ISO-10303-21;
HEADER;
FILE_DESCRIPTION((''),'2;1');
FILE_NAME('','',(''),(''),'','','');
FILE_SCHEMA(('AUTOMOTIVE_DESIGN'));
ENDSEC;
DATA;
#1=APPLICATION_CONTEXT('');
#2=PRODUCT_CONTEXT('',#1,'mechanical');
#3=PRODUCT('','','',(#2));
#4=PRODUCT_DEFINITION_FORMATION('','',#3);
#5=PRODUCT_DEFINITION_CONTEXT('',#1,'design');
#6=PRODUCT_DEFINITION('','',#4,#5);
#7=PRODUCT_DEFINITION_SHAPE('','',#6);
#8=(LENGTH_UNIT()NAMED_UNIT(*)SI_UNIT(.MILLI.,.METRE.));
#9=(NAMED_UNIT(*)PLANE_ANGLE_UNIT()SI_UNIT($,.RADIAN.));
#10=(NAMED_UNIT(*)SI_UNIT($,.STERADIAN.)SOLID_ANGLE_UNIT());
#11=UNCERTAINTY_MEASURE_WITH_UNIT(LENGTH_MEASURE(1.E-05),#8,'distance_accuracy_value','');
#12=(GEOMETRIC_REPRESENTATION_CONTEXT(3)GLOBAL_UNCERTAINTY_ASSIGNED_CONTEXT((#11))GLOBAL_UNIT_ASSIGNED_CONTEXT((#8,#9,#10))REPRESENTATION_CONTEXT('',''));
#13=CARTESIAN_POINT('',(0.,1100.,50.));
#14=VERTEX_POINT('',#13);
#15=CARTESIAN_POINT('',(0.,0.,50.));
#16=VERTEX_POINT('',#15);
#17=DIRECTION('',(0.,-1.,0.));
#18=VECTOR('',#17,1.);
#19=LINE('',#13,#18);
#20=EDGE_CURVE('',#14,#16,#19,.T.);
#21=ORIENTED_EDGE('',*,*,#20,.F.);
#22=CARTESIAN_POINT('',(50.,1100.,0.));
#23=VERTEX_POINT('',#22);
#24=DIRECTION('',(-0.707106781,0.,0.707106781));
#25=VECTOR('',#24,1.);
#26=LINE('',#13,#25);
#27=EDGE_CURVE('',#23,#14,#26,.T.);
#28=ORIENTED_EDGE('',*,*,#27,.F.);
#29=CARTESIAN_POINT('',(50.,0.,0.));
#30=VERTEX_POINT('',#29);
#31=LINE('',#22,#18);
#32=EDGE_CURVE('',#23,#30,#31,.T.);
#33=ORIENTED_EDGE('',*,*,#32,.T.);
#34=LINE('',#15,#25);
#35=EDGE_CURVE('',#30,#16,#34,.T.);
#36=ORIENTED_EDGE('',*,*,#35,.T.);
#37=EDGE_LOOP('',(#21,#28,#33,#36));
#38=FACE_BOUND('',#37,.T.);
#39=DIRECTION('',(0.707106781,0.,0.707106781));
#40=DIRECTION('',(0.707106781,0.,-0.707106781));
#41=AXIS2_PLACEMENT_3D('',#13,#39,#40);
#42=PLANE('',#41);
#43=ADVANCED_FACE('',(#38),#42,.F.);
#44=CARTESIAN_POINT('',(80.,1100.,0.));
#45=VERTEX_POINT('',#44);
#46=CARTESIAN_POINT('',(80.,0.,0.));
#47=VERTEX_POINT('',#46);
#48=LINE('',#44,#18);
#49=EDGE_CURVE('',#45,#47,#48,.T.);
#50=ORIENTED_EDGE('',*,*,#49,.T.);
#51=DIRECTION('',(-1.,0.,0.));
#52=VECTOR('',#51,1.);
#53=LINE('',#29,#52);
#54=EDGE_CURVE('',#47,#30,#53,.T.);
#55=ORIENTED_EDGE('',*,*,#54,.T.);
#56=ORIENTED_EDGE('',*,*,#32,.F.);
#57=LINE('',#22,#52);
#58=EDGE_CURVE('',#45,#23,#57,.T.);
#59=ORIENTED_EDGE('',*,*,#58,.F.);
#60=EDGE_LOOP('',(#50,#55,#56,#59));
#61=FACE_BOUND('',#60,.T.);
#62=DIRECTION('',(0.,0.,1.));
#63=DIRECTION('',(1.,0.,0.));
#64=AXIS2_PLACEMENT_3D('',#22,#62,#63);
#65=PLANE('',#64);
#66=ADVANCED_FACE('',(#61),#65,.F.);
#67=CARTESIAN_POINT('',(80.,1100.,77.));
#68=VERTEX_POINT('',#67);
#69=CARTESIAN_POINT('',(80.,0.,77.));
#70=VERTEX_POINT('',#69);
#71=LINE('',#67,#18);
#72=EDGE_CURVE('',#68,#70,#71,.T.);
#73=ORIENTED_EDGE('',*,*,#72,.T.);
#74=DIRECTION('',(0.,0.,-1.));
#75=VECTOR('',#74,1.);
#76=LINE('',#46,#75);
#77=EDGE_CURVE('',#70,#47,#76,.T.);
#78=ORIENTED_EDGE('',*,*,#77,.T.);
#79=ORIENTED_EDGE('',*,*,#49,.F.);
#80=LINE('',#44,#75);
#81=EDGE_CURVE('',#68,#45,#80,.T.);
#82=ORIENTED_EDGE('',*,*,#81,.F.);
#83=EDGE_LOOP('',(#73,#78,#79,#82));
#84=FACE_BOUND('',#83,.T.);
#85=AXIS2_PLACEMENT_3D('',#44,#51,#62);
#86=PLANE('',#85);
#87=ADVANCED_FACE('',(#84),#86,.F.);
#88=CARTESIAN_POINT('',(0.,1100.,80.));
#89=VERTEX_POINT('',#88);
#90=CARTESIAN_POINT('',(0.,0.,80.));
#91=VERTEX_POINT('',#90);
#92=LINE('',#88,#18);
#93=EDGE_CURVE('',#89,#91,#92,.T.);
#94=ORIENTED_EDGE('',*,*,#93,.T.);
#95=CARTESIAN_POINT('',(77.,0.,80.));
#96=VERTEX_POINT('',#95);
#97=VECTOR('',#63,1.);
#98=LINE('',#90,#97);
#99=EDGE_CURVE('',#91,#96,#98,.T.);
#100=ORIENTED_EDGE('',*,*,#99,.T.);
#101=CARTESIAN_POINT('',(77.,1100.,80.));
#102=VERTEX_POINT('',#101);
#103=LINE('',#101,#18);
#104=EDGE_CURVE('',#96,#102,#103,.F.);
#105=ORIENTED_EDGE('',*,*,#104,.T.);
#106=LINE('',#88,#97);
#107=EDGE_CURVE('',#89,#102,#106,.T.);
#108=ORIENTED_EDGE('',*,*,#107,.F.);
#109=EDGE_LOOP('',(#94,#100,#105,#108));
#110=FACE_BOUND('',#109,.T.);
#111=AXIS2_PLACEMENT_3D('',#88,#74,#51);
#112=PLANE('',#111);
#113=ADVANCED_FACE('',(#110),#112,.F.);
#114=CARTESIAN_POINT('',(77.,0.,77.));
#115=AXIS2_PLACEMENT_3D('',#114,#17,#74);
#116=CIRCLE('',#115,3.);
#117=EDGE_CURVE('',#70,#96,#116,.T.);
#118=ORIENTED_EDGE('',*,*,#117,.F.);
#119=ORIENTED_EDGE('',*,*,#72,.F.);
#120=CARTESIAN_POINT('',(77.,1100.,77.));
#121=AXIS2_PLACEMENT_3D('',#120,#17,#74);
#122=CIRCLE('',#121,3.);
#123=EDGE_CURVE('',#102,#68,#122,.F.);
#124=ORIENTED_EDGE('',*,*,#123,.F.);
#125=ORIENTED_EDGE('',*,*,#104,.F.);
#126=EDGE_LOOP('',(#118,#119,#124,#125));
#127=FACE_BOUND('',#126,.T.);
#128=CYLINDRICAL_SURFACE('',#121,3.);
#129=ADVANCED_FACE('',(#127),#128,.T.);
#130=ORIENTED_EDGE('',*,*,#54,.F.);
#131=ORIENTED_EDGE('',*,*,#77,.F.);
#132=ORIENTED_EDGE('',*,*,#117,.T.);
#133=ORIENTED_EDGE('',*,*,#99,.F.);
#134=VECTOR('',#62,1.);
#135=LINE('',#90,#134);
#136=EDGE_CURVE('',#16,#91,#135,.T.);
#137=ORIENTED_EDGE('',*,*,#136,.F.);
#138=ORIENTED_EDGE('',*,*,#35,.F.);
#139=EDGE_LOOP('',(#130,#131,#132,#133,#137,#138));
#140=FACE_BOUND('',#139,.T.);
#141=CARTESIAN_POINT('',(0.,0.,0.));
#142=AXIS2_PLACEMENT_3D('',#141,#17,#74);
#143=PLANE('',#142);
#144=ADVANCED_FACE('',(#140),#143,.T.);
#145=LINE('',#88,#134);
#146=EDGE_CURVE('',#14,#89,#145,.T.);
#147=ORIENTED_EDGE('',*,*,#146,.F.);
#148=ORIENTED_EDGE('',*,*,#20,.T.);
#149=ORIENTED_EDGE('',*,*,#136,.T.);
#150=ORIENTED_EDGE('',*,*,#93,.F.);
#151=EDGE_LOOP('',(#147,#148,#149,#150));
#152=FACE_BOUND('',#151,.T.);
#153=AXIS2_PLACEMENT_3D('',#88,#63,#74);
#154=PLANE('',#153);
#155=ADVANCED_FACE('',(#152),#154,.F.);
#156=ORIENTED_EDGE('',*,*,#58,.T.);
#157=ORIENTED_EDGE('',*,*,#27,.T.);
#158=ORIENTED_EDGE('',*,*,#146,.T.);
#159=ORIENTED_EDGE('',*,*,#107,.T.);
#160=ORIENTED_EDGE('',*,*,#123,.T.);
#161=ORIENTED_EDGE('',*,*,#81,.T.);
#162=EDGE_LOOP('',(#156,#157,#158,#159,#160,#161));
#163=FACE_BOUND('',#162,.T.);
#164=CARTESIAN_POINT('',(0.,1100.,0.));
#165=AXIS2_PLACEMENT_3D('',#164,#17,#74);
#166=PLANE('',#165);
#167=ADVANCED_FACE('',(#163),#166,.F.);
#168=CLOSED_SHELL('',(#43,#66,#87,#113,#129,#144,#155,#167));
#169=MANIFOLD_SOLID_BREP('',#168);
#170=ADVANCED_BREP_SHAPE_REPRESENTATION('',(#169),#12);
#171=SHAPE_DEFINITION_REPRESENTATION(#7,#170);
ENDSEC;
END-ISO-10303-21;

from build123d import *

# Parameters (mm, degrees)
EXTRUDE_L_NGD_DEPTH = 1100
FILLET_KANTER_R     = 3


with BuildPart() as part:
    # Sketch3 → Extrude längd (new body)
    with BuildSketch(Plane(origin=(0, 0, 0), x_dir=(1, 0, 0), z_dir=(0, 1, 0))):
        Polygon((0, -80), (80, -80), (80, 0), (50, 0), (0, -50), align=None)
    extrude(amount=EXTRUDE_L_NGD_DEPTH)

    # Fillet kanter
    fillet_kanter_edges = [part.edges().sort_by_distance(p)[0] for p in [
        (80, 550, 80),
    ]]
    fillet(fillet_kanter_edges, radius=FILLET_KANTER_R)


solid = part.part
